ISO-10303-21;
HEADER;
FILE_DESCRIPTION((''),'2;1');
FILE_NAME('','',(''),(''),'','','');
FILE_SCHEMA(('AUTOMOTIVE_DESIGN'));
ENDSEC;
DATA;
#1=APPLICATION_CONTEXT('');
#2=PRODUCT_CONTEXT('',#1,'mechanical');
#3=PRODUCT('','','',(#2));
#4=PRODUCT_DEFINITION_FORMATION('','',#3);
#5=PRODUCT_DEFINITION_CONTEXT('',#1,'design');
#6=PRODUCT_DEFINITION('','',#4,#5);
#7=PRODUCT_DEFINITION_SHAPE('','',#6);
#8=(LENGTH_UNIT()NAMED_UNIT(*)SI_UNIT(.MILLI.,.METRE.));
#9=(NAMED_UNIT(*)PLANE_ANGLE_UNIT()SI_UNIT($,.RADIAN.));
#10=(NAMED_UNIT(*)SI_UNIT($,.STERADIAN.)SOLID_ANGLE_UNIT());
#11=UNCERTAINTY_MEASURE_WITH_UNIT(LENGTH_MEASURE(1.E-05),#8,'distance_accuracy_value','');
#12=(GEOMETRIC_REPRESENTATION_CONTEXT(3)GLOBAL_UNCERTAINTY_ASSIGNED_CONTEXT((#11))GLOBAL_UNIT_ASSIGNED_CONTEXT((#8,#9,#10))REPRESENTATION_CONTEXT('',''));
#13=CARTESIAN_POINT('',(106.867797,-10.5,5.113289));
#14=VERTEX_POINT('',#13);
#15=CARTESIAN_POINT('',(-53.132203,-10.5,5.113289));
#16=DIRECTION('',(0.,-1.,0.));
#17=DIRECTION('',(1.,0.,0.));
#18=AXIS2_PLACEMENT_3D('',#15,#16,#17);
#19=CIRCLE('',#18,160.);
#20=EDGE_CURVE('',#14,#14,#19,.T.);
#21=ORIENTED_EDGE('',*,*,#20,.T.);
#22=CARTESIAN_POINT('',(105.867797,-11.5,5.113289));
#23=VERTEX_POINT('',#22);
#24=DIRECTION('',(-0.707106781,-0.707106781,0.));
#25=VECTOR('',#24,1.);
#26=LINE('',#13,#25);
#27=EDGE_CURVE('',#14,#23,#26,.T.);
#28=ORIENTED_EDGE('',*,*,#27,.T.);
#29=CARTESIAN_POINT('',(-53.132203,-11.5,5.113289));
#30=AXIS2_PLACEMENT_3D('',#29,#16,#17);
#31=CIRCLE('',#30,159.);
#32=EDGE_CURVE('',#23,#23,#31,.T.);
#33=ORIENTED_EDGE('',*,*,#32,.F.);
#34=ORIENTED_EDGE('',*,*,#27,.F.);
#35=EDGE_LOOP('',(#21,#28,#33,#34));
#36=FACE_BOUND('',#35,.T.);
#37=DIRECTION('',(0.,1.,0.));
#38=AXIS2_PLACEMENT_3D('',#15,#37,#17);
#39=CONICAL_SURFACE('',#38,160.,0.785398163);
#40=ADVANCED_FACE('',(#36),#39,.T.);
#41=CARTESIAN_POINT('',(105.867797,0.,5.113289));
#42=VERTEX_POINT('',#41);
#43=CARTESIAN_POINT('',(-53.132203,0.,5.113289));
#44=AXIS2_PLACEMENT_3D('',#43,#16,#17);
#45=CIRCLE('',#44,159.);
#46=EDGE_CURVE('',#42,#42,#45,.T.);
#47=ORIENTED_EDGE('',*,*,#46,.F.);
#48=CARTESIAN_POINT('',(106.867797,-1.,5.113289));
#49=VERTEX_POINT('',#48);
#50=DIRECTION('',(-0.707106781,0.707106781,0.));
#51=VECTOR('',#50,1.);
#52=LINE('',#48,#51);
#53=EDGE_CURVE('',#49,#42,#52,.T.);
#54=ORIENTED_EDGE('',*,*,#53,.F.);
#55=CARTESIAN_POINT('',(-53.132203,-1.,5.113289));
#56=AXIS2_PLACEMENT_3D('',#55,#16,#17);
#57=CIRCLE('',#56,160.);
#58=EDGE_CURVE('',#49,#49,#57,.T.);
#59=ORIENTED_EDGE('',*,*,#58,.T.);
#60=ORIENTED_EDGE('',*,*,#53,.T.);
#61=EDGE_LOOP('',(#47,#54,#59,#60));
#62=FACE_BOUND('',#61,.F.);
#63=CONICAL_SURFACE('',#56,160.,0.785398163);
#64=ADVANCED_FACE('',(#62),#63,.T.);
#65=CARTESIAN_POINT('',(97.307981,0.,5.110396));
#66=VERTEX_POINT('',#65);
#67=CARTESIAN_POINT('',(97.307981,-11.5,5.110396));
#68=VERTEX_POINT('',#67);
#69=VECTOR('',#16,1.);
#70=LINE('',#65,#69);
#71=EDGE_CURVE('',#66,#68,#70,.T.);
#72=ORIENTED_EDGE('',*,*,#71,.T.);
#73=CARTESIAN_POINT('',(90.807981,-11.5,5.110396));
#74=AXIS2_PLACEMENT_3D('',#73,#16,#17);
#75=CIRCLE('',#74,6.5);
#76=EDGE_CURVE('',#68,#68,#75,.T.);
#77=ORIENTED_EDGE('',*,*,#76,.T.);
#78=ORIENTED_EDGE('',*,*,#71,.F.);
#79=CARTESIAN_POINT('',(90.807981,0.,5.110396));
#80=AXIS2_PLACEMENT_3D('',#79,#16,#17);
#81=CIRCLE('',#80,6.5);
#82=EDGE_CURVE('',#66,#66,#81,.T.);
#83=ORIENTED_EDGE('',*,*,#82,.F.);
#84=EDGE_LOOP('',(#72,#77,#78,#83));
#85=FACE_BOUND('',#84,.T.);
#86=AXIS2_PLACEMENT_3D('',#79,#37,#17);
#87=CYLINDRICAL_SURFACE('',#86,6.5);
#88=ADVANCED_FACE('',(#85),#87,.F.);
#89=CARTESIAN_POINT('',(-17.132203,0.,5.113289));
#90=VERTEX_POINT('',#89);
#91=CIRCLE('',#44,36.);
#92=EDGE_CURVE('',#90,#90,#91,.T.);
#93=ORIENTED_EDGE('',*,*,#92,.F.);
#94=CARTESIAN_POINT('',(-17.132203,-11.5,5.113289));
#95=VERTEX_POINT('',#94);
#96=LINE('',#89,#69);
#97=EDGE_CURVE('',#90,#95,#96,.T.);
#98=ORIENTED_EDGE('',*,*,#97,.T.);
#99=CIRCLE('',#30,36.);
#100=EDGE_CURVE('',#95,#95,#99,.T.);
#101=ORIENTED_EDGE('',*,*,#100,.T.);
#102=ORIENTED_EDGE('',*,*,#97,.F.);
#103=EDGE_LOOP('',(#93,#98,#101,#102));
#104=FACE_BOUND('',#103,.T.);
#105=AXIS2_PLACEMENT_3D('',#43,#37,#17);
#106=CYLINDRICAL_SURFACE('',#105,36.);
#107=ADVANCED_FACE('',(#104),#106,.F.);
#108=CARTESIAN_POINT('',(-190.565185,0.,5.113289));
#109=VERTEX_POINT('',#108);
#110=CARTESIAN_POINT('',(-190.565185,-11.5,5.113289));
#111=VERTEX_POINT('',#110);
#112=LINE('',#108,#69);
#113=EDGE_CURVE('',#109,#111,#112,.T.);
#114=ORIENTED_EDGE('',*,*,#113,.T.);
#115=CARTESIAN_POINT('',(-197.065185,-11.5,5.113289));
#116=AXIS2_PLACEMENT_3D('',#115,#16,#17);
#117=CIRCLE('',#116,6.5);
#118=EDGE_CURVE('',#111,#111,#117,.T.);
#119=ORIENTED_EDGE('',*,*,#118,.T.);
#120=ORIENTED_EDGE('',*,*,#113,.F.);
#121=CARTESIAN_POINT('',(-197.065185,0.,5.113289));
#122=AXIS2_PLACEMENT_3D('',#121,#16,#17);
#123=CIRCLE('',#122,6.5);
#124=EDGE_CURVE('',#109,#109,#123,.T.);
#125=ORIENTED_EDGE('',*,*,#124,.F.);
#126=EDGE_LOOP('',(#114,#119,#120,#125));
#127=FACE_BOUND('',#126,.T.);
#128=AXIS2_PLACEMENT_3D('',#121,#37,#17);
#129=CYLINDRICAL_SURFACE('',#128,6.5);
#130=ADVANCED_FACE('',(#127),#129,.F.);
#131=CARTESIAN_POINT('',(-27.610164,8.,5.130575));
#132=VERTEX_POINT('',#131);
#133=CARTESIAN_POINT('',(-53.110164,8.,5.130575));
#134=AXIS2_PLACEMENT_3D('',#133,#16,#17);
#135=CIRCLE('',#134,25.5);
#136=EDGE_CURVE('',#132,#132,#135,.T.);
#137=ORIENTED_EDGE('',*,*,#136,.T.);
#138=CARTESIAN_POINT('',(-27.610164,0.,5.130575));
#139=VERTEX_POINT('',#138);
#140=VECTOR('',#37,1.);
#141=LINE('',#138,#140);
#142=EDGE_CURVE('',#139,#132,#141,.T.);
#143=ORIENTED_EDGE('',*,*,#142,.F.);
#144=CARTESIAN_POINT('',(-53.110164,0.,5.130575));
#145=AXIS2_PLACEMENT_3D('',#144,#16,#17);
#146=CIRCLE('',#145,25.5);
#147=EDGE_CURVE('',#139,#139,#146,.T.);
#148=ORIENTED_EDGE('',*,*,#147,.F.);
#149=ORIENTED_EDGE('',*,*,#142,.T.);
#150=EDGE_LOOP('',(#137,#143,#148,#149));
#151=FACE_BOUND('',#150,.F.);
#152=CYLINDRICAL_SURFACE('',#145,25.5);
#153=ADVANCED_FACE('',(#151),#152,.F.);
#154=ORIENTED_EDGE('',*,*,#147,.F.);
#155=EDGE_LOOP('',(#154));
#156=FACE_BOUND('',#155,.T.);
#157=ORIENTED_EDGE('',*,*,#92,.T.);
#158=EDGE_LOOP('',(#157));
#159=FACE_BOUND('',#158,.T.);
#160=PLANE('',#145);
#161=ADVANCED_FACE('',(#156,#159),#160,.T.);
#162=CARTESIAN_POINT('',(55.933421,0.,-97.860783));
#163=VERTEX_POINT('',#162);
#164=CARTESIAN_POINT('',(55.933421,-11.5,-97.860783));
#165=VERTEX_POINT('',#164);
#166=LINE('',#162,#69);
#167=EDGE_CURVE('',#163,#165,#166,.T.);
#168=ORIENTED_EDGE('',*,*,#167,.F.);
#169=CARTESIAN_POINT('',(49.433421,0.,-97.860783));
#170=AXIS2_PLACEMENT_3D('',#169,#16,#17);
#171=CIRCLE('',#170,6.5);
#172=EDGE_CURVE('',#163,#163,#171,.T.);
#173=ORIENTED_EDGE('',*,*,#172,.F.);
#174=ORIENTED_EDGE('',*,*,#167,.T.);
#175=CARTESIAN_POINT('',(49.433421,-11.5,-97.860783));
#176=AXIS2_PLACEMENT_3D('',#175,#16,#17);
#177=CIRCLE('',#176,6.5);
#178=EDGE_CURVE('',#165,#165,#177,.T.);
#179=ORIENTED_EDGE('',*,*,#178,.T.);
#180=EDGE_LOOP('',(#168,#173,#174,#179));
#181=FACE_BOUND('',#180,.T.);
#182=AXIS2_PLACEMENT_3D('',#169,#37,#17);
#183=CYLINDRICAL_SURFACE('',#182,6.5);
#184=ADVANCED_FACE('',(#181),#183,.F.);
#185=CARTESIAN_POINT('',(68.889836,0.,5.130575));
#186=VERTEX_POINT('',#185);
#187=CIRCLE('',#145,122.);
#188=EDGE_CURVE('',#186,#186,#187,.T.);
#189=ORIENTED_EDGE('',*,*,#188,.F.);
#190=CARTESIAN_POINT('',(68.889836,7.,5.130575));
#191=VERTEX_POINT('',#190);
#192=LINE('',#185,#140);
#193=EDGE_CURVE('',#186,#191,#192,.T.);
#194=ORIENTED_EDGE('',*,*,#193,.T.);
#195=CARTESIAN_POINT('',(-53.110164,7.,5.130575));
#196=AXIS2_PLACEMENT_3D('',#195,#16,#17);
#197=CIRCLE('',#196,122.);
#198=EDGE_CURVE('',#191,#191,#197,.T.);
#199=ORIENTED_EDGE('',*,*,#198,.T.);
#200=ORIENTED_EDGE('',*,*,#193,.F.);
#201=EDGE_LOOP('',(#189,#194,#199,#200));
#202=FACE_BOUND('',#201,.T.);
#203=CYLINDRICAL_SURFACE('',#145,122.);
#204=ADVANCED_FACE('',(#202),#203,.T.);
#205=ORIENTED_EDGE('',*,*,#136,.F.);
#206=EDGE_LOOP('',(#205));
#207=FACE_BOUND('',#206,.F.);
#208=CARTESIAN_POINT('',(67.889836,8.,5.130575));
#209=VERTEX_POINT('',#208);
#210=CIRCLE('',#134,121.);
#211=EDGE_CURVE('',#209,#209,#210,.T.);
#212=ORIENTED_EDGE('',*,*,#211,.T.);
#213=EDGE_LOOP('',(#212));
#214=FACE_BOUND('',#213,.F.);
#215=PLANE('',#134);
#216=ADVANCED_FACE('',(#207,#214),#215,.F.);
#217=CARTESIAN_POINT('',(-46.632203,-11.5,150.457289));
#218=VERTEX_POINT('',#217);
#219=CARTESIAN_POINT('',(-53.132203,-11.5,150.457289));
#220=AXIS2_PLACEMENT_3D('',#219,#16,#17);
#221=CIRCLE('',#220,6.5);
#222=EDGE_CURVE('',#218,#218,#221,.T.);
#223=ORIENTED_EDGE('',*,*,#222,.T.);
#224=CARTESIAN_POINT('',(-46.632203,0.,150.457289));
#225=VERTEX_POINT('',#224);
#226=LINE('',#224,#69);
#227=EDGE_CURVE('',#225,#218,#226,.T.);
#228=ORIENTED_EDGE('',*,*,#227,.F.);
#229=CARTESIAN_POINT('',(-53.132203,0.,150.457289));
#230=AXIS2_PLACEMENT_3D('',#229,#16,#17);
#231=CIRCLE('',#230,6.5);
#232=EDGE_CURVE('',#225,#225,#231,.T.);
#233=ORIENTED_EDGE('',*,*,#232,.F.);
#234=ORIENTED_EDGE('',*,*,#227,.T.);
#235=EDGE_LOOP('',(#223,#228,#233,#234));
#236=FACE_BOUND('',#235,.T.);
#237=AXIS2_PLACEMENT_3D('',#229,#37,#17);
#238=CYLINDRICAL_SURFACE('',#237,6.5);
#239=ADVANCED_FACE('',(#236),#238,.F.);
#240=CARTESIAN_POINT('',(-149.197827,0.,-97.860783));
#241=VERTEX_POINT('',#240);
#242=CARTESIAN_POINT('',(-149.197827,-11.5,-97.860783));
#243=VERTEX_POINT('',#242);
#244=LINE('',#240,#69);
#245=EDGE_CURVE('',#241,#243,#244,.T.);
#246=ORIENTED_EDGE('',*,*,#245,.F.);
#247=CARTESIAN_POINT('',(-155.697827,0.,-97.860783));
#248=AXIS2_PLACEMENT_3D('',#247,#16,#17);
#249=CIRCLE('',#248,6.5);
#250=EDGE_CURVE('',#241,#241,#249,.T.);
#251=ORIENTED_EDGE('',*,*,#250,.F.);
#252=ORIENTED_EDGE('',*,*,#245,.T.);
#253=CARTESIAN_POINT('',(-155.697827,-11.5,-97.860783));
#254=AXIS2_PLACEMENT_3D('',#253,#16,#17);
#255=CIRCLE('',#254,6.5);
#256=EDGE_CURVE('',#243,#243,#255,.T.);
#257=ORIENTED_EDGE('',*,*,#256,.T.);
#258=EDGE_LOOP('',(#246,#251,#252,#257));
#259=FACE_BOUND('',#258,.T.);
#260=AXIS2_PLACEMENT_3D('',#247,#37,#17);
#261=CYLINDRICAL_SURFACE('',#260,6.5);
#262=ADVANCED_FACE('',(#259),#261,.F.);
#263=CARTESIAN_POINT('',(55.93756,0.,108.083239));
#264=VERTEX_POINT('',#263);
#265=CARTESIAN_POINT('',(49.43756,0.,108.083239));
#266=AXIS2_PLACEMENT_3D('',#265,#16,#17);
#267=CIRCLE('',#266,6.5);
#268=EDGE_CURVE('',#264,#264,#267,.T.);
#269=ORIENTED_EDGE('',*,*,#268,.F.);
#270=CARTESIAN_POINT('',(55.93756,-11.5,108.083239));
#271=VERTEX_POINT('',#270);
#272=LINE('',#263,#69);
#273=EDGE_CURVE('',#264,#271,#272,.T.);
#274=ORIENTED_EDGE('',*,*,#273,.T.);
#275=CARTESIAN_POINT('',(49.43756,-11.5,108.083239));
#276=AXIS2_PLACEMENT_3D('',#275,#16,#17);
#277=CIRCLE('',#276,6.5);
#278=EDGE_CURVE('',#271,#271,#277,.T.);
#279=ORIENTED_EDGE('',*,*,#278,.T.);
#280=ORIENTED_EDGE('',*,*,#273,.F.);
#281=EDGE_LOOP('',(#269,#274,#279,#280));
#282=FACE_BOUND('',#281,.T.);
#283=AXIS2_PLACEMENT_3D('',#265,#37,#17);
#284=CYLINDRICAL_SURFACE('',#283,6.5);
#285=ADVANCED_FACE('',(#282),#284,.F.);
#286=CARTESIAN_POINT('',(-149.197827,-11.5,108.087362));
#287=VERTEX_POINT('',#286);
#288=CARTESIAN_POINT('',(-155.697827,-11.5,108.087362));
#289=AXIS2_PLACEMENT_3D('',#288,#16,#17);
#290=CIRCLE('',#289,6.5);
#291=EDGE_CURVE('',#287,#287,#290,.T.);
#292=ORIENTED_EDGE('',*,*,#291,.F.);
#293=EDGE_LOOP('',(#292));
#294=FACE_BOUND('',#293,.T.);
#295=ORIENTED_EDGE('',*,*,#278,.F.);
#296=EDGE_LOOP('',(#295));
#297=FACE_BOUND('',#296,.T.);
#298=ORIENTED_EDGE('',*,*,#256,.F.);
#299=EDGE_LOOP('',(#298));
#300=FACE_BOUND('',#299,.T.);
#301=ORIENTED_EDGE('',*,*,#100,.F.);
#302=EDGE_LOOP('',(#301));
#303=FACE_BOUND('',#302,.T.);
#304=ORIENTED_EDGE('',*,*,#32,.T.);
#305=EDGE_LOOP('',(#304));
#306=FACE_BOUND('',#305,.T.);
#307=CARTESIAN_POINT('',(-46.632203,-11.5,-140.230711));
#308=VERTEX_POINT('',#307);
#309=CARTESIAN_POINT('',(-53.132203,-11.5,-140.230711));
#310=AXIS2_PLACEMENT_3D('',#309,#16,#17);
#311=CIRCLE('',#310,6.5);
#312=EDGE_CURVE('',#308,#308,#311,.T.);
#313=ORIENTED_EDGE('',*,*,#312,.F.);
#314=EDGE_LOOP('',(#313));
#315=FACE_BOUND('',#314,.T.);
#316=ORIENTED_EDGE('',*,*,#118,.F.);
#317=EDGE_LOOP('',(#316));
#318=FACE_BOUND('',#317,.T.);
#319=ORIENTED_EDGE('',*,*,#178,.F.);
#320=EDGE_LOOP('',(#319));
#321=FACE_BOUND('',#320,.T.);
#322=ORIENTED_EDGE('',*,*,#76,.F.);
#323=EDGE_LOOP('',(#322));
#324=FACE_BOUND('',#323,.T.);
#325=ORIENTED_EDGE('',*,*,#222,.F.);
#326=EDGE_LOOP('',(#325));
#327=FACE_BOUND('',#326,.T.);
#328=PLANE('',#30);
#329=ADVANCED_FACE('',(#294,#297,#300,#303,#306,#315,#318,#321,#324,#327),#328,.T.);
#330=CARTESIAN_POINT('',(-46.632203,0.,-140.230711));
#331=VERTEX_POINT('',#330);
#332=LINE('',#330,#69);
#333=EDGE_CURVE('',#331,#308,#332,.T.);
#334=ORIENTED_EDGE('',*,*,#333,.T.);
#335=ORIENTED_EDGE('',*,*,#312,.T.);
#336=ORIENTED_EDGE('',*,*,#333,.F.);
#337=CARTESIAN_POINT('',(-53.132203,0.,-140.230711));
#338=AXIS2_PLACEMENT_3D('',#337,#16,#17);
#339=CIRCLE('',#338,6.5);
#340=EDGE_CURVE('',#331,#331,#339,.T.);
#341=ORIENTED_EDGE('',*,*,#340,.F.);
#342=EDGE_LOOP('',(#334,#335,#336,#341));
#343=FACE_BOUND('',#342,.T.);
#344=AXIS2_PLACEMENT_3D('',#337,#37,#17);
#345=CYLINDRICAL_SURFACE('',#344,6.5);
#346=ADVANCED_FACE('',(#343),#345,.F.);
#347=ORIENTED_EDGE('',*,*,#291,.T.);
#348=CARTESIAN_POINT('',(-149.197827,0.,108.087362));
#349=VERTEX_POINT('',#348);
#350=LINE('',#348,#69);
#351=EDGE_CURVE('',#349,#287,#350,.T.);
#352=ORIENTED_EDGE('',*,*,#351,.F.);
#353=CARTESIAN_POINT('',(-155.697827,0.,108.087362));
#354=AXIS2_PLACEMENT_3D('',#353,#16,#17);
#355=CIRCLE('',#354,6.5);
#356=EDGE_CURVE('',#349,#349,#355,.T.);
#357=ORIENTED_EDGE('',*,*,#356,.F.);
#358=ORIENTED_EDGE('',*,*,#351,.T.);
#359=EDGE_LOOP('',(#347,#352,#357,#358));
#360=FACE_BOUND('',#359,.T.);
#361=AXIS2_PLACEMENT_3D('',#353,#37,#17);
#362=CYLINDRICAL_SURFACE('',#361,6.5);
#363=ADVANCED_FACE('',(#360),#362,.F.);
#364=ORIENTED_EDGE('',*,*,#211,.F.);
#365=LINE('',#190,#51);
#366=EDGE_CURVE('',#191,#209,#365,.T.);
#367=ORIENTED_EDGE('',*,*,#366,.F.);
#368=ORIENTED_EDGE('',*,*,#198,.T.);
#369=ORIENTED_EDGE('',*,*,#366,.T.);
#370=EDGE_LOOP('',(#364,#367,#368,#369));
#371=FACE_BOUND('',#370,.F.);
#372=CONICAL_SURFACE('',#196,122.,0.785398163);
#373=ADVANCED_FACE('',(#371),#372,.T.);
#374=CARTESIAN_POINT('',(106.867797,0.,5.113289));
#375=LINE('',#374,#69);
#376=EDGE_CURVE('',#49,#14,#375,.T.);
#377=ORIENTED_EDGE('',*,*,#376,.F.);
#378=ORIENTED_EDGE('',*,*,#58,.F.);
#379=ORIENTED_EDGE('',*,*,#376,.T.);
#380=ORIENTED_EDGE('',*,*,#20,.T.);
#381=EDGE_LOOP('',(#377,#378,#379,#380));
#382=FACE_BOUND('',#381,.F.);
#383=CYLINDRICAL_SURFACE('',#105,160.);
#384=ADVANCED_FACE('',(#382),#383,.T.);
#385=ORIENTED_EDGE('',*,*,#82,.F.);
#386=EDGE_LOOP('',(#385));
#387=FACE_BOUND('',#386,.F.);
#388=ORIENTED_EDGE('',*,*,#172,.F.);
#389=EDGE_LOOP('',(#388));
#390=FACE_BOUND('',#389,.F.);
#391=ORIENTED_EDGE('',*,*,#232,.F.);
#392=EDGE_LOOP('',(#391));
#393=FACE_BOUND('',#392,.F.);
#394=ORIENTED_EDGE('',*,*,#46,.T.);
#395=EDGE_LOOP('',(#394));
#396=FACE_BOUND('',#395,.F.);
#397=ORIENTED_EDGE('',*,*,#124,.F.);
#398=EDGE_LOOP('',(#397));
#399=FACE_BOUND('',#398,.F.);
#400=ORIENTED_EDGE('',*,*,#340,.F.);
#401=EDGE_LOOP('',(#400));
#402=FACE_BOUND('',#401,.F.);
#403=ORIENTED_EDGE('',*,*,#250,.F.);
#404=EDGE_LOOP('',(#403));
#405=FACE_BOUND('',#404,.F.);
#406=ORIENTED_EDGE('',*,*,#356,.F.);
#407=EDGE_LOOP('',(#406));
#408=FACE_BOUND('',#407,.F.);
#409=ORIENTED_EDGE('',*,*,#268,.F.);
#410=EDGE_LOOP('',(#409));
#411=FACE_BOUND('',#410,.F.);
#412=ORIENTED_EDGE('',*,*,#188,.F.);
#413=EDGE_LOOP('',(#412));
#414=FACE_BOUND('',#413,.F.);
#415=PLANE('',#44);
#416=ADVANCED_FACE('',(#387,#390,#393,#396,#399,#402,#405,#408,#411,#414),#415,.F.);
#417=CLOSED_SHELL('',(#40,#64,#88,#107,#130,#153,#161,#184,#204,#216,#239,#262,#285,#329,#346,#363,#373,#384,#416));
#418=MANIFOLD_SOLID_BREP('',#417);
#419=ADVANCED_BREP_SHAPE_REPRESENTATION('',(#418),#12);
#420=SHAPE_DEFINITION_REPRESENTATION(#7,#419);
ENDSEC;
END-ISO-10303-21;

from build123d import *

# Parameters (mm, degrees)
F0_R     = 160
F0_R_2   = 6.5
F0_R_3   = 36
F1_DEPTH = 11.5
F2_SIZE  = 1
F3_R     = 122
F3_R_2   = 36
F3_R_3   = 25.5
F4_DEPTH = 8
F5_SIZE  = 1


with BuildPart() as f1:
    # F0 (on Front) → F1 (new body)
    with BuildSketch(Plane.XZ):
        with Locations((-53.132202721, 5.1132893958)):
            Circle(F0_R)
        with Locations((-155.6978265414, -97.8607830485)):
            Circle(F0_R_2, mode=Mode.SUBTRACT)
        with Locations((-53.132202721, -140.2307106042)):
            Circle(F0_R_2, mode=Mode.SUBTRACT)
        with Locations((49.4334210995, -97.8607830485)):
            Circle(F0_R_2, mode=Mode.SUBTRACT)
        with Locations((90.8079806329, 5.1103962891)):
            Circle(F0_R_2, mode=Mode.SUBTRACT)
        with Locations((-197.0651851107, 5.1132893958)):
            Circle(F0_R_2, mode=Mode.SUBTRACT)
        with Locations((-155.6978265414, 108.08736184)):
            Circle(F0_R_2, mode=Mode.SUBTRACT)
        with Locations((-53.132202721, 5.1132893958)):
            Circle(F0_R_3, mode=Mode.SUBTRACT)
        with Locations((-53.132202721, 150.4572893958)):
            Circle(F0_R_2, mode=Mode.SUBTRACT)
        with Locations((49.4375604441, 108.0832387485)):
            Circle(F0_R_2, mode=Mode.SUBTRACT)
    extrude(amount=F1_DEPTH)

    # F2
    f2_edges = [f1.edges().sort_by_distance(p)[0] for p in [
        (-213.132203, 0, 5.113289),
        (-213.132203, -11.5, 5.113289),
    ]]
    chamfer(f2_edges, length=F2_SIZE)

    # F3 (on face) → F4 (join)
    with BuildSketch(Plane.XZ):
        with Locations((-53.1101636589, 5.1305745728)):
            Circle(F3_R)
        with Locations((-53.132202721, 5.1132893958)):
            Circle(F3_R_2, mode=Mode.SUBTRACT)
        with Locations((-53.132202721, 5.1132893958)):
            Circle(F3_R_2)
        with Locations((-53.1101636589, 5.1305745728)):
            Circle(F3_R_3, mode=Mode.SUBTRACT)
    extrude(amount=-F4_DEPTH)

    # F5
    f5_edges = [f1.edges().sort_by_distance(p)[0] for p in [
        (-175.110164, 8, 5.130575),
    ]]
    chamfer(f5_edges, length=F5_SIZE)


solid = f1.part
